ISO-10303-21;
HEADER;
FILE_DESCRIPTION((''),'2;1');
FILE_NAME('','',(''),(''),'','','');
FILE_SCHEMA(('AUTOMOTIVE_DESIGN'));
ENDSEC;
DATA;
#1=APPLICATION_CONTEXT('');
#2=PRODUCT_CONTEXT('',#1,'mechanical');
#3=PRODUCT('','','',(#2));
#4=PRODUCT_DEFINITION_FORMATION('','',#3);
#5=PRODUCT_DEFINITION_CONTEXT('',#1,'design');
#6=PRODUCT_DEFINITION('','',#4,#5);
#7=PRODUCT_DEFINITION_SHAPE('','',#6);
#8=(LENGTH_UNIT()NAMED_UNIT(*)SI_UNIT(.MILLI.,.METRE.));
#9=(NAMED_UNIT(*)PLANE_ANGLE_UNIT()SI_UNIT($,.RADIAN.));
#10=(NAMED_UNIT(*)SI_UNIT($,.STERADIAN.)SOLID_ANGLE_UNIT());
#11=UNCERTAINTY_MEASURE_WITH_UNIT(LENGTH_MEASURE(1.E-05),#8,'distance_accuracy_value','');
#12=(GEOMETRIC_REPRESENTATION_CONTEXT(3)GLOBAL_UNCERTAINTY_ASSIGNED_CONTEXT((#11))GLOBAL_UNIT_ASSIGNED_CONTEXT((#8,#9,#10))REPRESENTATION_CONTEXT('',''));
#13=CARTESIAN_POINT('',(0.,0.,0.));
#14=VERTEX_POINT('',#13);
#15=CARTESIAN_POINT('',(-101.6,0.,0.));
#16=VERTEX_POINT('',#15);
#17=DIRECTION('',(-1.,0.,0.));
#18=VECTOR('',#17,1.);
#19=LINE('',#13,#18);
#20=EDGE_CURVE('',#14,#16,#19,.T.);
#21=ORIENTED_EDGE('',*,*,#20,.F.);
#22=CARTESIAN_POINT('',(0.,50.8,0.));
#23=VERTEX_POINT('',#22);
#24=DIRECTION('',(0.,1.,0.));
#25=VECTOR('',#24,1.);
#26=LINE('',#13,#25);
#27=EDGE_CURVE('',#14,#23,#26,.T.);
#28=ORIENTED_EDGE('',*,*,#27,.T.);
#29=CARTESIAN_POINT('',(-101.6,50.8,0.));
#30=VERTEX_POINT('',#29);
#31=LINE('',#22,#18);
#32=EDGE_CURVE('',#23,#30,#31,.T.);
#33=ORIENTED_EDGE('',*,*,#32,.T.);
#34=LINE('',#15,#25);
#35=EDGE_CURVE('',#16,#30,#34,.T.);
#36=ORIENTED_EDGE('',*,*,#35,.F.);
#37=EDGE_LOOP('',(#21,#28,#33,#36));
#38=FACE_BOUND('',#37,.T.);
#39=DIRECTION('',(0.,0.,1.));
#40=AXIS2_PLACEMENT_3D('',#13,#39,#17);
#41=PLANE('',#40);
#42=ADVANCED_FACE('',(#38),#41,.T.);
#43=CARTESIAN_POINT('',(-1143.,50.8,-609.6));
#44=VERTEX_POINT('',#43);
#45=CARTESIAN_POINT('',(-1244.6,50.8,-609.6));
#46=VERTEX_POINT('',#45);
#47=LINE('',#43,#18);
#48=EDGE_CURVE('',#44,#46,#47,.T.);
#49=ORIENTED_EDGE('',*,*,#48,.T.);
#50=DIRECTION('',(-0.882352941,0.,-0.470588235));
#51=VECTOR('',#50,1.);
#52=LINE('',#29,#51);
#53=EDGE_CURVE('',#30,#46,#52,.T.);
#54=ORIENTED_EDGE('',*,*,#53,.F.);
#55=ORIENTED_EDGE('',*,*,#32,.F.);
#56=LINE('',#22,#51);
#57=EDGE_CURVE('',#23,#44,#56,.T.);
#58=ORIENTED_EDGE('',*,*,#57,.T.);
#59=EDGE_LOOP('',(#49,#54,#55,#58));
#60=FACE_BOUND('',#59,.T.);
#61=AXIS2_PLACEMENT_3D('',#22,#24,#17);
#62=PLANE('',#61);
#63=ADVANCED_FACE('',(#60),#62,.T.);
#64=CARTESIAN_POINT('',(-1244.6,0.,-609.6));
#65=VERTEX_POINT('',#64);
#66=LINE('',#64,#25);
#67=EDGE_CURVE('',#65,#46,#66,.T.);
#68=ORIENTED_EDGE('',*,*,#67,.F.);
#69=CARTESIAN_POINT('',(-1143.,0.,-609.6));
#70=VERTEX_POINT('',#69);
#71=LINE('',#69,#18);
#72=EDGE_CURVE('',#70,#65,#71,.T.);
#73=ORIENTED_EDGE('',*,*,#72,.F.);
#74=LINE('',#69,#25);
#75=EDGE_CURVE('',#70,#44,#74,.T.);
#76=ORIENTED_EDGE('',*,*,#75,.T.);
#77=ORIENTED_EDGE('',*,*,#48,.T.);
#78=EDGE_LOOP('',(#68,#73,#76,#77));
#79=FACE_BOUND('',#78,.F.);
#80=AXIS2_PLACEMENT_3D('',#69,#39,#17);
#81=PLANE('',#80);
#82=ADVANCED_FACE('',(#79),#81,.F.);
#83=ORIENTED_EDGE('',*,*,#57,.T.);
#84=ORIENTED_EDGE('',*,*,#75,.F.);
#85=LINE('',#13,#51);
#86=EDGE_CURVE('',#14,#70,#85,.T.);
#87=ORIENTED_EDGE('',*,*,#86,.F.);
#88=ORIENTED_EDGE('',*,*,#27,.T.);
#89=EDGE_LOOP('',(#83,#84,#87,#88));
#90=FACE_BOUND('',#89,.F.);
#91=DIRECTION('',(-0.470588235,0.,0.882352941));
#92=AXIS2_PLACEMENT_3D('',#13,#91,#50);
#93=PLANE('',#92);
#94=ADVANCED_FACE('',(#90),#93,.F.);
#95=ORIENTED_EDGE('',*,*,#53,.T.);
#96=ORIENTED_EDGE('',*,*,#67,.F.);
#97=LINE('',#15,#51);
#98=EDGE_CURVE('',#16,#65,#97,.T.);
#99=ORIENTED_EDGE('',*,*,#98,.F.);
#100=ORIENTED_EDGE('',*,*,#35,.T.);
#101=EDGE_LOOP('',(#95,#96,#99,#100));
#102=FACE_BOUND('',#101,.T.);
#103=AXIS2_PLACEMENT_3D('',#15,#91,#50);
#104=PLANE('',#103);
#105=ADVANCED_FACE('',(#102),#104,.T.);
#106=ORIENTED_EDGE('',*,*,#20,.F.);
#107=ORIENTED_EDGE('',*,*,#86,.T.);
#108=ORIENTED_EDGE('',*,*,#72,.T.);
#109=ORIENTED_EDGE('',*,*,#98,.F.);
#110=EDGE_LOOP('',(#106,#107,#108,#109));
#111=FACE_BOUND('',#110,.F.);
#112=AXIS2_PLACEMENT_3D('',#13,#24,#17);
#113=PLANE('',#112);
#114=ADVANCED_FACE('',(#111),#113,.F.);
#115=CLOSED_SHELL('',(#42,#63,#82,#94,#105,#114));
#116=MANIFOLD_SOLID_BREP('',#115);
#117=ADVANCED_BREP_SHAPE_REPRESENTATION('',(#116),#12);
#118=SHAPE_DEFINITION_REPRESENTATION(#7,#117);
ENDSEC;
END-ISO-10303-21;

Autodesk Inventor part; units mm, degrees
ref_plane "YZ Plane" through (0, 0, 0) normal (1, 0, 0) x (0, 1, 0)
ref_plane "XZ Plane" through (0, 0, 0) normal (0, 1, 0) x (-1, 0, 0)
ref_plane "XY Plane" through (0, 0, 0) normal (0, 0, 1) x (1, 0, 0)
sketch "Sketch1" plane through (0, 0, 0) normal (0, 1, 0) x (-1, 0, 0)
  line L0 (0, 0) -> (1143, -609.6)
  line L1 (0, 0) -> (101.6, 0)
  line L2 (1143, -609.6) -> (1244.6, -609.6)
  line L3 (101.6, 0) -> (1244.6, -609.6)
  point P0 (0, -609.6)
  point P1 (1144.8557, -556.403)
  point P2 (1122.9649, -4.3441)
  point P3 (1144.8557, -4.3441)
  dimension "d0" = 609.6
  dimension "d1" = 1143
  dimension "d2" = 101.6
  dimension "d3" = 101.6
  dimension "d6" = 609.6
  dimension "d7" = 552.4927
  dimension "d8" = 552.0589
extrude "Extrusion1" add sketch "Sketch1" along normal blind 50.8
properties part number "2x4x(24x41)"
